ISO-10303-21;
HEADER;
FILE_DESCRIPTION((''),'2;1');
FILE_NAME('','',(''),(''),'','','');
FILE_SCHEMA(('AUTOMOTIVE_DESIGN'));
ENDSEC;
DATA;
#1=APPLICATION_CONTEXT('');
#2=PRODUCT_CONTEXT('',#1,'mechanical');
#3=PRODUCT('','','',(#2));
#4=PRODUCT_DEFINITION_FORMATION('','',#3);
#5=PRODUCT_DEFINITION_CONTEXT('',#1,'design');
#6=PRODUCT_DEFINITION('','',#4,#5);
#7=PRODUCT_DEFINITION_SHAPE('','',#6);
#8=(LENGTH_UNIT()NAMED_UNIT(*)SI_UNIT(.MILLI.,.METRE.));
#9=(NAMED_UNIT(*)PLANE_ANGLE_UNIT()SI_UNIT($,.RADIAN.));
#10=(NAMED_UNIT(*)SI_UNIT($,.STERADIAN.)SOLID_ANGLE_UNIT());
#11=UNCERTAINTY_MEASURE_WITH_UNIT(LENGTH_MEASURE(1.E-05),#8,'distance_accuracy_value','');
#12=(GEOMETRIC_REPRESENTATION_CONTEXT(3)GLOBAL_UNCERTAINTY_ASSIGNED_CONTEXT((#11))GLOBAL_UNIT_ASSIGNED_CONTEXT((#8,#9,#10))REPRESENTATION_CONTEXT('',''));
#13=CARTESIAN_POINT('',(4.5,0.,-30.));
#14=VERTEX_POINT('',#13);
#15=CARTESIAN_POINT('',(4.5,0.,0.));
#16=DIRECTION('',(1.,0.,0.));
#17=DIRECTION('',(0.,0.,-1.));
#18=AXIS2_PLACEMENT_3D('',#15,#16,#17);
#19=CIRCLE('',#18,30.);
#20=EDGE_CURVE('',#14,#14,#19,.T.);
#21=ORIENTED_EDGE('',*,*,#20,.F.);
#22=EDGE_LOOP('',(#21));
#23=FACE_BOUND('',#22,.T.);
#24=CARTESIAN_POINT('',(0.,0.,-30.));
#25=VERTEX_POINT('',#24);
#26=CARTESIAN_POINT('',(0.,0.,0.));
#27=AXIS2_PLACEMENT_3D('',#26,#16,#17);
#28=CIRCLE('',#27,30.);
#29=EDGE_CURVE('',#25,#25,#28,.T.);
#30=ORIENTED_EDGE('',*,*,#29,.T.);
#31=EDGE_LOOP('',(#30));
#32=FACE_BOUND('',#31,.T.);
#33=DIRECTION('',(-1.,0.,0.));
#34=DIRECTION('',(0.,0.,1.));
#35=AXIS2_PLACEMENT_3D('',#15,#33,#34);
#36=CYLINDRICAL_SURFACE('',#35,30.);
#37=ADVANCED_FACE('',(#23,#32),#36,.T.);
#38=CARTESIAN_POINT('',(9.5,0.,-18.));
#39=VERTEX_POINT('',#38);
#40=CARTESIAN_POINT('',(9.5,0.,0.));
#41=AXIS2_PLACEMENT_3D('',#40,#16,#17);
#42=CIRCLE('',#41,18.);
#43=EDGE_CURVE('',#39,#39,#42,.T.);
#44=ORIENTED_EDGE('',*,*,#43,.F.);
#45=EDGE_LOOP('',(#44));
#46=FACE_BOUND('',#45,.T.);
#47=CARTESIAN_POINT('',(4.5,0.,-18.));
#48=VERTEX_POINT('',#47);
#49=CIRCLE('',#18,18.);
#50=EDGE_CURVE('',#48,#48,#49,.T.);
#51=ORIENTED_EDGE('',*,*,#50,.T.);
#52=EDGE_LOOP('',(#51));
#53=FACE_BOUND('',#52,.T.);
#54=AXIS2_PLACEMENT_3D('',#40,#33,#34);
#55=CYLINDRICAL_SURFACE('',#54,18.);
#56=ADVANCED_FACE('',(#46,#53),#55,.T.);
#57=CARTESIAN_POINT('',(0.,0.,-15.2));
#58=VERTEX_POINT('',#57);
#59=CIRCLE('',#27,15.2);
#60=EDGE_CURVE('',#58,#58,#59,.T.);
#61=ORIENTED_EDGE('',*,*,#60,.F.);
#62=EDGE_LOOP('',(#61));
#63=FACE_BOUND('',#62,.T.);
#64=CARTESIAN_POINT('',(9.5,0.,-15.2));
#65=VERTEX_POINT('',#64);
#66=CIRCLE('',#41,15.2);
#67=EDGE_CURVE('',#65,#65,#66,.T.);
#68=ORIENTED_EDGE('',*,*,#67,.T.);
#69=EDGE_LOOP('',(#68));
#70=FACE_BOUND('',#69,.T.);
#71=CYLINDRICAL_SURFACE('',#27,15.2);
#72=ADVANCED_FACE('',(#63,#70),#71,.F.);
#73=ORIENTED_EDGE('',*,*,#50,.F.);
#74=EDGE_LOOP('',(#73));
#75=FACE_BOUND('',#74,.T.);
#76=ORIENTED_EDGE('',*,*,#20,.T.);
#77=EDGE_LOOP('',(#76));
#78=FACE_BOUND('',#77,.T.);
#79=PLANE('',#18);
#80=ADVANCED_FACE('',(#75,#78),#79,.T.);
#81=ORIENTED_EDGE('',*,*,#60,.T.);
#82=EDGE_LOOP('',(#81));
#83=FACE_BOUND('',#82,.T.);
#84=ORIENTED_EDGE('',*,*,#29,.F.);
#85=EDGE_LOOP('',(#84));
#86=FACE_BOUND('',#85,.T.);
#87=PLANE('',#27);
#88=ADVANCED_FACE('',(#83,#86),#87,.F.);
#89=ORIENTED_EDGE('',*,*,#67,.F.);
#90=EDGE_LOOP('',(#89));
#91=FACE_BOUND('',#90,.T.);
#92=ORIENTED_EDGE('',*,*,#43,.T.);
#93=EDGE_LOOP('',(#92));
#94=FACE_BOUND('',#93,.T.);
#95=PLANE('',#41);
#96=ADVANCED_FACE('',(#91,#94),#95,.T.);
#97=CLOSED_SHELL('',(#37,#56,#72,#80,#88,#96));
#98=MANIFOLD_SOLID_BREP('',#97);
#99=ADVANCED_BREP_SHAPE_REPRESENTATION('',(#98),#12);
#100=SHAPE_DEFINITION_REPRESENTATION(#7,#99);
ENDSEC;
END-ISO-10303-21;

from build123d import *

# Parameters (mm, degrees)
SKETCH_1_R          = 30
EXTRUDE_1_DEPTH     = 4.5
SKETCH_2_R          = 18
EXTRUDE_2_DEPTH     = 5
SKETCH_3_R          = 15.2
CUT_EXTRUDE_1_DEPTH = 10.5


with BuildPart() as part:
    # 草图1 → 凸台-拉伸1 (new body)
    with BuildSketch(Plane(origin=(0, 0, 0), x_dir=(0, 0, -1), z_dir=(1, 0, 0))):
        Circle(SKETCH_1_R)
    extrude(amount=EXTRUDE_1_DEPTH)

    # 草图2 → 凸台-拉伸2 (add)
    with BuildSketch(Plane(origin=(4.5, 0, 0), x_dir=(0, 0, -1), z_dir=(1, 0, 0))):
        Circle(SKETCH_2_R)
    extrude(amount=EXTRUDE_2_DEPTH)

    # 草图3 → 切除-拉伸1 (cut, through all)
    with BuildSketch(Plane(origin=(9.5, 0, 0), x_dir=(0, 0, -1), z_dir=(1, 0, 0))):
        Circle(SKETCH_3_R)
    extrude(amount=-CUT_EXTRUDE_1_DEPTH, mode=Mode.SUBTRACT)


solid = part.part
